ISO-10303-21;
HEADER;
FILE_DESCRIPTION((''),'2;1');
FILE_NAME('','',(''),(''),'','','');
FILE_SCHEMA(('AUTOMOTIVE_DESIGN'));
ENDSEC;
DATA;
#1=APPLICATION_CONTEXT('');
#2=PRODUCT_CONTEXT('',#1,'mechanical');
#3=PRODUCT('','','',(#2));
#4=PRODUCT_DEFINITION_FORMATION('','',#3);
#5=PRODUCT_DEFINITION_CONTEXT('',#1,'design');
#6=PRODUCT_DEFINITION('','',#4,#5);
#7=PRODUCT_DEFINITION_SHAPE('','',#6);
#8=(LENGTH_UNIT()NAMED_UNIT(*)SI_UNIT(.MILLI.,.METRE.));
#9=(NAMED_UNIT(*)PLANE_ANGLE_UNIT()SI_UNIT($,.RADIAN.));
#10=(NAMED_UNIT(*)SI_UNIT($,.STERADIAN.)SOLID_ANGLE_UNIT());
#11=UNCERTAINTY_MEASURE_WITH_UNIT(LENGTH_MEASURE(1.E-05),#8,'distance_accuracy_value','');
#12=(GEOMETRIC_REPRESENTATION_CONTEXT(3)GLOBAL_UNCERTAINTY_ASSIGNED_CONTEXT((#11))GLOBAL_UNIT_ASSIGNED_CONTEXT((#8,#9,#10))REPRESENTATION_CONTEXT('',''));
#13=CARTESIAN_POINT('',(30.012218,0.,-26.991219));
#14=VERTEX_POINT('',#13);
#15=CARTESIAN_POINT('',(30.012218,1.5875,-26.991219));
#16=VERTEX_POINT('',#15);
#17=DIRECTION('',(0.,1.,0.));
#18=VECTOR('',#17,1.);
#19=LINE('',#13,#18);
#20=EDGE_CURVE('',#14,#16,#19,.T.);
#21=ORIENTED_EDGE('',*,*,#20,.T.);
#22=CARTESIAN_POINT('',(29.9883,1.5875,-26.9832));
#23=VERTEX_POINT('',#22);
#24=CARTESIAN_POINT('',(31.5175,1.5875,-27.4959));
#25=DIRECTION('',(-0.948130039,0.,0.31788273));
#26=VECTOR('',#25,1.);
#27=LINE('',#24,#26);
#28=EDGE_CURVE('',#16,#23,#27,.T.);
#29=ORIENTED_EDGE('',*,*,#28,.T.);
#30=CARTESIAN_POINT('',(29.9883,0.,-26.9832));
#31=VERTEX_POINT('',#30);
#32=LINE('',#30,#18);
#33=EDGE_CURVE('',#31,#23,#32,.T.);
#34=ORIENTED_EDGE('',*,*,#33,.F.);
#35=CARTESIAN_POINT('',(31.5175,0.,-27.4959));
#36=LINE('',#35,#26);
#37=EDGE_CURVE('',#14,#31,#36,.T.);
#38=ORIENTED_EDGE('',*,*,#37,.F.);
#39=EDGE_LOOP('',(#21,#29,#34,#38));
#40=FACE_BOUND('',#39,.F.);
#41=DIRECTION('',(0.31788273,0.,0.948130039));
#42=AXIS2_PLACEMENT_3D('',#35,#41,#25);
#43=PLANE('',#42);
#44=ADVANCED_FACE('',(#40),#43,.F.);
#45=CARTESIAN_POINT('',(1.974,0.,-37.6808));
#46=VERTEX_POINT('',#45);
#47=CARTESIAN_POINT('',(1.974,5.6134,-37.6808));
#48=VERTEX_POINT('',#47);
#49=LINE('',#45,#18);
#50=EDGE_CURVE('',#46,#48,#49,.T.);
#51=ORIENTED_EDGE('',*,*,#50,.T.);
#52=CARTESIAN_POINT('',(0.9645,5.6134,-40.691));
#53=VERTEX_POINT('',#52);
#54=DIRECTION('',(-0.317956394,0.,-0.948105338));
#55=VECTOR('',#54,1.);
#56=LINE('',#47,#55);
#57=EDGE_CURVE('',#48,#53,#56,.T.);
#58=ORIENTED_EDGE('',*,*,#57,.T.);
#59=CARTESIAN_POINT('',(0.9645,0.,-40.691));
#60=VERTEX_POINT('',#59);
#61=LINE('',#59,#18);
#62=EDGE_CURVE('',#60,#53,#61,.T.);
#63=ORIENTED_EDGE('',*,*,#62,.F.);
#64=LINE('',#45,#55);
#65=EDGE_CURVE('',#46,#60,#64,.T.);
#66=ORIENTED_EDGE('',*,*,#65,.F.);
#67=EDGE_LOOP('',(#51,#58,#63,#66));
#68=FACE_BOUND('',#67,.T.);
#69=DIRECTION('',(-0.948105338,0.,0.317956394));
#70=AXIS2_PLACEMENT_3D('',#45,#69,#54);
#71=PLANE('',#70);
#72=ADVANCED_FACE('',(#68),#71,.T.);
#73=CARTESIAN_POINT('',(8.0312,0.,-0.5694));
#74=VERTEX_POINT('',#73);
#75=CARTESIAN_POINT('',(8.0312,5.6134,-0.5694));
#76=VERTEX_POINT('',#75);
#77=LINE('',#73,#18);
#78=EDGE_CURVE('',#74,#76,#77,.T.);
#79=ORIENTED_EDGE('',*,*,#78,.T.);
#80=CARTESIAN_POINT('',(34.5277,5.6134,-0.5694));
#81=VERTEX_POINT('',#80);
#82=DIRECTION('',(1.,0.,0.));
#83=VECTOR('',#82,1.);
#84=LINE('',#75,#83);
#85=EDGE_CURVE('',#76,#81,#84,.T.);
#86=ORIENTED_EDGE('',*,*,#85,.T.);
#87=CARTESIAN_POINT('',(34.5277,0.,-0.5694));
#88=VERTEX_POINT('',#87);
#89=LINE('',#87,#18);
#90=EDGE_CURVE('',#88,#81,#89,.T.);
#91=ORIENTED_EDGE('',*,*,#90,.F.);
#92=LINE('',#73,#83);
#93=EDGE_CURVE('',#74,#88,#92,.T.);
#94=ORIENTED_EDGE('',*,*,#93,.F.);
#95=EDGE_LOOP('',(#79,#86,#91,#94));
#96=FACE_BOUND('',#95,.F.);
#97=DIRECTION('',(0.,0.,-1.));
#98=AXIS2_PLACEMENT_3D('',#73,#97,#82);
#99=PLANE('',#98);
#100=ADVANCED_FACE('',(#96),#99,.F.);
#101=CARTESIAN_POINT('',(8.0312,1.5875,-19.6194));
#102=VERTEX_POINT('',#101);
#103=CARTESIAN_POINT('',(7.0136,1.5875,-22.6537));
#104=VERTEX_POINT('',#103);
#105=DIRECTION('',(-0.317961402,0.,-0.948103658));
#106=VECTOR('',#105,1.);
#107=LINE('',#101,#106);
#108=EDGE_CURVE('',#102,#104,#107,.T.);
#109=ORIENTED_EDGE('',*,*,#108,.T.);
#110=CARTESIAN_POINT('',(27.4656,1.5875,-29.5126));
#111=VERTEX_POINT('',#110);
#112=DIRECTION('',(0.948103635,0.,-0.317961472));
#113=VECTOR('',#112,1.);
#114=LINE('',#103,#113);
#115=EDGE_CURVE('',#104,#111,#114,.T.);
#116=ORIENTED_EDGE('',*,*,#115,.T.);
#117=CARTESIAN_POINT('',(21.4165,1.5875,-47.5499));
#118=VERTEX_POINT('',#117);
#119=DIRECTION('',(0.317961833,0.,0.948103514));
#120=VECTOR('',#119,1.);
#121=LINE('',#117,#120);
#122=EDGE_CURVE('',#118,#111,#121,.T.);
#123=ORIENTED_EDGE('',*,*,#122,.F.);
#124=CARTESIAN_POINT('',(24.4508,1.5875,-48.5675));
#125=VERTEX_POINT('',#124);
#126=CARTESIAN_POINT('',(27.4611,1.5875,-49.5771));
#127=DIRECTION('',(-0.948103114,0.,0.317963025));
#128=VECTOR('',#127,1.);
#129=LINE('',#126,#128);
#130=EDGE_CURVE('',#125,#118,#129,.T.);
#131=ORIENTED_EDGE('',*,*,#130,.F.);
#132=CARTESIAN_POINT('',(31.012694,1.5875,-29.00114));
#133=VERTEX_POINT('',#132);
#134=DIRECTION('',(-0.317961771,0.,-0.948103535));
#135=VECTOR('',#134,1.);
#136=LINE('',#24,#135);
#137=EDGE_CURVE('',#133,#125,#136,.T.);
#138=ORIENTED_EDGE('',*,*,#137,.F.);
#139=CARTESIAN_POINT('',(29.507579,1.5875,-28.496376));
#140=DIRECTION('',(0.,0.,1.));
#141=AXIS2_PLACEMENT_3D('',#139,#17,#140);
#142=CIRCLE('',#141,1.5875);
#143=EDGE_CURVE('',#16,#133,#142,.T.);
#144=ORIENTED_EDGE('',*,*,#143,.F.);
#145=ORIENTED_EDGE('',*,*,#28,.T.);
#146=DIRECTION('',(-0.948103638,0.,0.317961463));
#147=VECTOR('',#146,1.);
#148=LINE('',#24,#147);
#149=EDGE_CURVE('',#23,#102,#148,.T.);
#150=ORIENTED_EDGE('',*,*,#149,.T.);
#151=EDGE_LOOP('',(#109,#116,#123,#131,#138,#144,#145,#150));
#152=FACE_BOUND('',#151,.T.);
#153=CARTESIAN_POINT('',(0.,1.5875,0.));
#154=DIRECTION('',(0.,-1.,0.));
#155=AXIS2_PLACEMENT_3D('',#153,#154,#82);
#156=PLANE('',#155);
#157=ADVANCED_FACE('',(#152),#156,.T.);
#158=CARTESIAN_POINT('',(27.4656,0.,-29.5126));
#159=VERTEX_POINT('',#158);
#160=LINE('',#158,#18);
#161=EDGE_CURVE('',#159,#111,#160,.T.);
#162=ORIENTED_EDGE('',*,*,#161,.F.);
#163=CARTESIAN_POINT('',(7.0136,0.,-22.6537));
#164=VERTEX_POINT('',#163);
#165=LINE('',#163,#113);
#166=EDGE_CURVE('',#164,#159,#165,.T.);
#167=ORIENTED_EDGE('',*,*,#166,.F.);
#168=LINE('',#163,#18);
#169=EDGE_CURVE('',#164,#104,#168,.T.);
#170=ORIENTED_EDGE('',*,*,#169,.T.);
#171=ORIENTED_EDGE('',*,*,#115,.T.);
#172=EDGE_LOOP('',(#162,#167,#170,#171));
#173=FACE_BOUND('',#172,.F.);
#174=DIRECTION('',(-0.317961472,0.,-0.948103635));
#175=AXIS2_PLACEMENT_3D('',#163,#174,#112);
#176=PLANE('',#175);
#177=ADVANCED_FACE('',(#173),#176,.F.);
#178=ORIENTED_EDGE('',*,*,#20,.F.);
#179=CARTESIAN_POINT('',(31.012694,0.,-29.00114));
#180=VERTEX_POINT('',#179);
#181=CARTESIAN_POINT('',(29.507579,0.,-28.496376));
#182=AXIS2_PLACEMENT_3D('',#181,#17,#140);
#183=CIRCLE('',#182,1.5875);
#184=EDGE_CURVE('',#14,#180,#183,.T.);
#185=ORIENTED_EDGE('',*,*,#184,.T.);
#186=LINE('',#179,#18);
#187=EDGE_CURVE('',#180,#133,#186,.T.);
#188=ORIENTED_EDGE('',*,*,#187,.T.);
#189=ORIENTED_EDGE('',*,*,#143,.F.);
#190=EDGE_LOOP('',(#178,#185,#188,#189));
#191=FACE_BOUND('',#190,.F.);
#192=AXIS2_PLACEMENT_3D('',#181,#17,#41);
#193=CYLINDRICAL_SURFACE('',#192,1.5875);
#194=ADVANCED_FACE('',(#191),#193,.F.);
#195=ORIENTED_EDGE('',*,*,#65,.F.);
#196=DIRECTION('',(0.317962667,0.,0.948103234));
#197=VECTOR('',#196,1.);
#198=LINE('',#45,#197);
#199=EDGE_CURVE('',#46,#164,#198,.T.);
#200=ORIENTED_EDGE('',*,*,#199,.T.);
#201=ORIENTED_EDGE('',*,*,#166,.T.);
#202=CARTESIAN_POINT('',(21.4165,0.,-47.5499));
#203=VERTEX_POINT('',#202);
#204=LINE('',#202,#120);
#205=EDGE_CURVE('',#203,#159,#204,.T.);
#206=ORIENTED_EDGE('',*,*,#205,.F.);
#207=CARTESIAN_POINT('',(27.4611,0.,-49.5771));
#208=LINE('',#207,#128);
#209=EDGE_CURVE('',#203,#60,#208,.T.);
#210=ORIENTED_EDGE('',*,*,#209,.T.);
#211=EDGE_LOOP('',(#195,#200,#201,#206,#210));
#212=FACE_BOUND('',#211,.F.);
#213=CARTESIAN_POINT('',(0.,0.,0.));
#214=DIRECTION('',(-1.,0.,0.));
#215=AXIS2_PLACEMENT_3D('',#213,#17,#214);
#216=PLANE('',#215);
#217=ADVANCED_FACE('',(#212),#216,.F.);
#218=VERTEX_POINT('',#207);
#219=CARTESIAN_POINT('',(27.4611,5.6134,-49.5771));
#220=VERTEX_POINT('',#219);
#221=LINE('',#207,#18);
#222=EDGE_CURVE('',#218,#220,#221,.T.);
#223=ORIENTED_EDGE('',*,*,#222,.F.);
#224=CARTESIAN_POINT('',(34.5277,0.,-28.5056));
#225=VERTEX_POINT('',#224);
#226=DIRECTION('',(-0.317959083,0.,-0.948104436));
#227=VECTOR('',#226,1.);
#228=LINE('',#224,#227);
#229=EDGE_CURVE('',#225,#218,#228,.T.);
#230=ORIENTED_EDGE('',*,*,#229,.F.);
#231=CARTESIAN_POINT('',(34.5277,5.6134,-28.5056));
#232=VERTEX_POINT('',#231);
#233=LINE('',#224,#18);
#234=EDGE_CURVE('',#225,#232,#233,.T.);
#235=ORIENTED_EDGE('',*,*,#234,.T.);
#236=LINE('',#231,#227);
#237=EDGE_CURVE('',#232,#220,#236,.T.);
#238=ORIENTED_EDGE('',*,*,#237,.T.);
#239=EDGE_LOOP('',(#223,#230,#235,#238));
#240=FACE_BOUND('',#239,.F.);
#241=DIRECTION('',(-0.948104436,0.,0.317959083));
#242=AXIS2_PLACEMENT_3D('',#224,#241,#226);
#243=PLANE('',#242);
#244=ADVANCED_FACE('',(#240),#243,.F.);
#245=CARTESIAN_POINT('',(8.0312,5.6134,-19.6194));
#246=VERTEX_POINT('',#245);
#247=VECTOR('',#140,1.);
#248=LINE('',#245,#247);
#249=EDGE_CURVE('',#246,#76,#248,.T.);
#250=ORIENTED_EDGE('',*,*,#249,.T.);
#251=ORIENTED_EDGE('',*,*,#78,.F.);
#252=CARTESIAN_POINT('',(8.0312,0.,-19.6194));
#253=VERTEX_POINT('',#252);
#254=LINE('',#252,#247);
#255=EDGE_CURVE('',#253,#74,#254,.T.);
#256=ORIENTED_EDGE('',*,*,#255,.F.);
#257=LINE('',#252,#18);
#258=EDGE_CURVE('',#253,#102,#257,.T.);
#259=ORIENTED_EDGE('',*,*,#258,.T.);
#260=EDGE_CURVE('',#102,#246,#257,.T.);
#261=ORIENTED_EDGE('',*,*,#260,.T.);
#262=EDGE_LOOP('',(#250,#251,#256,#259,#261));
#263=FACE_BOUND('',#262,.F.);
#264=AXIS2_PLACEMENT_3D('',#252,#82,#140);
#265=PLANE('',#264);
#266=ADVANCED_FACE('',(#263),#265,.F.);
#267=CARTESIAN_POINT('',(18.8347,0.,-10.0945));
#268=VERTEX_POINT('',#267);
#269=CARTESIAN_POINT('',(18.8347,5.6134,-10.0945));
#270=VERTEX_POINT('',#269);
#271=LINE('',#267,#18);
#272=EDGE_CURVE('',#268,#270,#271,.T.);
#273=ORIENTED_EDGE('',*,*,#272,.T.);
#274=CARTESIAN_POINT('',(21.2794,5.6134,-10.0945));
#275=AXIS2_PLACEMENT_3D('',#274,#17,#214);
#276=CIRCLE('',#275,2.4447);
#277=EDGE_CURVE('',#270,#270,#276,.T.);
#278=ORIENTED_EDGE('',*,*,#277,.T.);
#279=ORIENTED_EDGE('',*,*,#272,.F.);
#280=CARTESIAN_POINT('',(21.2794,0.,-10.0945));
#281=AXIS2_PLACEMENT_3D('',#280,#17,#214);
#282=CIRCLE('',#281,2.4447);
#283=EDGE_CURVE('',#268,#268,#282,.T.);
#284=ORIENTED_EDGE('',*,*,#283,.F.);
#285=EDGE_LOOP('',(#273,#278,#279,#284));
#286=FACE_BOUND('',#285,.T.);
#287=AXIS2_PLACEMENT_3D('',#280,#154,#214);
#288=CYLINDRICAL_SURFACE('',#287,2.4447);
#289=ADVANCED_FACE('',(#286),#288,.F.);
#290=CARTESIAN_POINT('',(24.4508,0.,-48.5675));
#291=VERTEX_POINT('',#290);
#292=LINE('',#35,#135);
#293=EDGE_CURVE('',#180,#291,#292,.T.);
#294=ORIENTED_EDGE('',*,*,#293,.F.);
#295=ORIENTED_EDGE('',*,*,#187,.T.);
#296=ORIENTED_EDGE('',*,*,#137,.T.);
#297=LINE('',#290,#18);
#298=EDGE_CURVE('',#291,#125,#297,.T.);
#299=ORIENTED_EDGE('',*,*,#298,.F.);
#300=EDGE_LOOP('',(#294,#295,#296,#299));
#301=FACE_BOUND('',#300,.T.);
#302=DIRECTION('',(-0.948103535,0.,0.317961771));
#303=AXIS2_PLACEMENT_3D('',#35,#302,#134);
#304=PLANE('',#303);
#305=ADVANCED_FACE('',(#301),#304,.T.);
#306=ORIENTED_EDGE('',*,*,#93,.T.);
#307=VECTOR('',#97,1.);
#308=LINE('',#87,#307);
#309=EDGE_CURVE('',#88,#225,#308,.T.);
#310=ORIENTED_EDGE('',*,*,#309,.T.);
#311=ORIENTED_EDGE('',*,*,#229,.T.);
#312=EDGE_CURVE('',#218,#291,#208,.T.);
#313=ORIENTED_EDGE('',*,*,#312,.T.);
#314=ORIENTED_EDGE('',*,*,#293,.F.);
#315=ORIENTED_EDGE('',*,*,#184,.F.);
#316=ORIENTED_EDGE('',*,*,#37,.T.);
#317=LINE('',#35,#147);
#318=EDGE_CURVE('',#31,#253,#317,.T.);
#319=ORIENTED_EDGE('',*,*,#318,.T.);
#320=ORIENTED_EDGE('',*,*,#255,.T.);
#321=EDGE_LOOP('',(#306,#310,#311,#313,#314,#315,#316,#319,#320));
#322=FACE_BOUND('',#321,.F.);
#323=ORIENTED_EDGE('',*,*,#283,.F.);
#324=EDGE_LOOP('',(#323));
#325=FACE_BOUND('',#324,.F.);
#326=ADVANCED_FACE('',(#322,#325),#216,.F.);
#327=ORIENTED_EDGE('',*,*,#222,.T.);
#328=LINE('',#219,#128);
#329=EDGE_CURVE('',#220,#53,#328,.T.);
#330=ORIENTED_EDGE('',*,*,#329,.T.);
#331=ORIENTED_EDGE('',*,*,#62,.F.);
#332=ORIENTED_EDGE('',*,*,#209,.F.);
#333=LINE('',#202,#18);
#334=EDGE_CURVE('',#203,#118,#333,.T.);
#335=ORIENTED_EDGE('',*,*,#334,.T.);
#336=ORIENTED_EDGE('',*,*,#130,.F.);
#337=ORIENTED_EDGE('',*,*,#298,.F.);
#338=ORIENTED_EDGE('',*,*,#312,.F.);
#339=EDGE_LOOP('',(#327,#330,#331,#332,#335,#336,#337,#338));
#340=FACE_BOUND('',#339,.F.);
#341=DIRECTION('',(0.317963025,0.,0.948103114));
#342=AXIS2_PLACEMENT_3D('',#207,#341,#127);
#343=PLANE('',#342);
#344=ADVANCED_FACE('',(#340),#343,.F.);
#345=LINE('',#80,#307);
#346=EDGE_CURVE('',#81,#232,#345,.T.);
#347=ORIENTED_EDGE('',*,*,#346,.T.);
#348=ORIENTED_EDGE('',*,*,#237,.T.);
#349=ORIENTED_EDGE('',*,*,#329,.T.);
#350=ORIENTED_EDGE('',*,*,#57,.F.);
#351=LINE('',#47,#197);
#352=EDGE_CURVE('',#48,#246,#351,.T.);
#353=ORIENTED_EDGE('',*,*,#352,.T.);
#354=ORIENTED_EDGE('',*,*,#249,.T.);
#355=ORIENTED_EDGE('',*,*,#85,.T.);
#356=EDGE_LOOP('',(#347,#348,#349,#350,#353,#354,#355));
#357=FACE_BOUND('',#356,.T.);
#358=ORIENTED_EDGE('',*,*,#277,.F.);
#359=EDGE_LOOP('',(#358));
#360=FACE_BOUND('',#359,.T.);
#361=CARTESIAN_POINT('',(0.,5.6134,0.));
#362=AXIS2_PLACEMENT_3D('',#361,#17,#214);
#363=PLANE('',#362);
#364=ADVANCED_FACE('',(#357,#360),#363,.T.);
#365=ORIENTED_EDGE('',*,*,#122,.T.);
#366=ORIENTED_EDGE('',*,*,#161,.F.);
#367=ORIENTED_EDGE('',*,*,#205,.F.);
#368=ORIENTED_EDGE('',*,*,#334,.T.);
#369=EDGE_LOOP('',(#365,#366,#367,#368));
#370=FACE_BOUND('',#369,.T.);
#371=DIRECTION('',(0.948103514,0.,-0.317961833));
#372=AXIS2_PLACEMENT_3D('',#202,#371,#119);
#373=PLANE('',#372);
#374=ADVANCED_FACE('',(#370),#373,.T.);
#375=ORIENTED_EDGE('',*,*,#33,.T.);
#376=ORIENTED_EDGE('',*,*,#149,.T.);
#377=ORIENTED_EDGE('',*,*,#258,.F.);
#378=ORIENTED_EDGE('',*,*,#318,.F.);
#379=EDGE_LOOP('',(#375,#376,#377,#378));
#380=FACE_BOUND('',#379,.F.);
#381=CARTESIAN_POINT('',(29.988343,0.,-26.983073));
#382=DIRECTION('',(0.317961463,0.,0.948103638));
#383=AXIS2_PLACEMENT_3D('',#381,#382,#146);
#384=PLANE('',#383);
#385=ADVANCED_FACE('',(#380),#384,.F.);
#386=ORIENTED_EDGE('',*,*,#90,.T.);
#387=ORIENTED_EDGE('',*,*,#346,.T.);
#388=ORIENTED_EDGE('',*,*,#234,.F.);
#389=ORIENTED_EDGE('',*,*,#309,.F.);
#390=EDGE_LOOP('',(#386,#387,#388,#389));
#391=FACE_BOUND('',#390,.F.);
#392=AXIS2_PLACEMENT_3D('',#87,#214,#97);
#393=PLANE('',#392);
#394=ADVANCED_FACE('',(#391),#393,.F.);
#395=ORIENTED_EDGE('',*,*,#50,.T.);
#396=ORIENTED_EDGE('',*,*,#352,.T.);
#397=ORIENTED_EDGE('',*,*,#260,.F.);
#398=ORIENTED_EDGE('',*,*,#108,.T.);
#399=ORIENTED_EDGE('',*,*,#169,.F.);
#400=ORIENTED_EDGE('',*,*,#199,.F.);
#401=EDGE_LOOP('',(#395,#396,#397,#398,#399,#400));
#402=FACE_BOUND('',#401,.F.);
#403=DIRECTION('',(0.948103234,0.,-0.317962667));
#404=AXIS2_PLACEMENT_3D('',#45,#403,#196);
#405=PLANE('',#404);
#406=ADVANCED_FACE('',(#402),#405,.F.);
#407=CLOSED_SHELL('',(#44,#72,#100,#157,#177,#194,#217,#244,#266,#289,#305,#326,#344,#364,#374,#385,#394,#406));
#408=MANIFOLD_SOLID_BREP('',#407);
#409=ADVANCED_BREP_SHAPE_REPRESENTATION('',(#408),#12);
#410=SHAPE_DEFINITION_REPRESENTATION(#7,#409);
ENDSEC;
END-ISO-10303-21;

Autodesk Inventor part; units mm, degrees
ref_plane "YZ Plane" through (0, 0, 0) normal (1, 0, 0) x (0, 1, 0)
ref_plane "XZ Plane" through (0, 0, 0) normal (0, 1, 0) x (-1, 0, 0)
ref_plane "XY Plane" through (0, 0, 0) normal (0, 0, 1) x (1, 0, 0)
sketch "Sketch1" plane through (0, 0, 0) normal (0, 1, 0) x (-1, 0, 0)
  line L0 (-8.0312, -19.6194) -> (-8.0312, -0.5694)
  line L1 (-8.0312, -0.5694) -> (-34.5277, -0.5694)
  line L2 (-34.5277, -0.5694) -> (-34.5277, -28.5056)
  line L3 (18.6455, 5.0782) -> (18.6456, 5.0782)
  line L4 (-1.974, -37.6808) -> (-8.0312, -19.6194)
  line L5 (-34.5277, -28.5056) -> (-27.4611, -49.5771)
  line L6 (-1.974, -37.6808) -> (-0.9645, -40.691)
  line L7 (-27.4611, -49.5771) -> (-0.9645, -40.691)
  circle A0 centre (-21.2794, -10.0945) radius 2.4447
  line L8 (-8.0312, -0.5694) -> (-8.0312, -19.6194)
  line L9 (-8.0312, -19.6194) -> (-0.9645, -40.691)
  line L10 (-0.9645, -40.691) -> (-27.4611, -49.5771)
  line L11 (-27.4611, -49.5771) -> (-34.5277, -28.5056)
  line L12 (-34.5277, -28.5056) -> (-34.5277, -0.5694)
  line L13 (-34.5277, -0.5694) -> (-8.0312, -0.5694)
  dimension "d0" = 19.05
  dimension "d1" = 22.225
  dimension "d2" = 27.9469
  dimension "d3" = 26.4965
  dimension "d4" = 4.8895
  dimension "d18" = 13.2483
  dimension "d19" = 9.525
  dimension "d20" = 161.46
extrude "Extrusion1" add sketch "Sketch1" along normal blind 5.6134
sketch "Sketch2" plane through (0, 0, 0) normal (0, -1, 0) x (1, 0, 0)
  line L0 (27.4611, -49.5771) -> (0.9645, -40.691) projected
  line L1 (31.5175, -27.4959) -> (29.9883, -26.9832)
  line L2 (34.5277, -28.5056) -> (27.4611, -49.5771) projected
  line L3 (27.4611, -49.5771) -> (0.9645, -40.691) projected
  line L4 (31.5175, -27.4959) -> (8.0312, -19.6194)
  line L5 (8.0312, -19.6194) -> (7.0136, -22.6537)
  line L6 (7.0136, -22.6537) -> (27.4656, -29.5126)
  line L7 (24.4508, -48.5675) -> (21.4165, -47.5499)
  line L8 (21.4165, -47.5499) -> (27.4656, -29.5126)
  line L9 (29.9883, -26.9831) -> (31.5175, -27.4959)
  line L10 (31.5175, -27.4959) -> (24.4508, -48.5675)
  point P0 (0, 0)
  dimension "d15" = 3.2004
  dimension "d16" = 3.175
  dimension "d17" = 3.2004
extrude "Extrusion2" cut sketch "Sketch2" against normal blind 1.5875
fillet "Fillet1" radius 1.5875 1 edges at (31.5175, 0.7937, -27.4959)
properties part number "Lidar Sensor CAse Piece 1"
